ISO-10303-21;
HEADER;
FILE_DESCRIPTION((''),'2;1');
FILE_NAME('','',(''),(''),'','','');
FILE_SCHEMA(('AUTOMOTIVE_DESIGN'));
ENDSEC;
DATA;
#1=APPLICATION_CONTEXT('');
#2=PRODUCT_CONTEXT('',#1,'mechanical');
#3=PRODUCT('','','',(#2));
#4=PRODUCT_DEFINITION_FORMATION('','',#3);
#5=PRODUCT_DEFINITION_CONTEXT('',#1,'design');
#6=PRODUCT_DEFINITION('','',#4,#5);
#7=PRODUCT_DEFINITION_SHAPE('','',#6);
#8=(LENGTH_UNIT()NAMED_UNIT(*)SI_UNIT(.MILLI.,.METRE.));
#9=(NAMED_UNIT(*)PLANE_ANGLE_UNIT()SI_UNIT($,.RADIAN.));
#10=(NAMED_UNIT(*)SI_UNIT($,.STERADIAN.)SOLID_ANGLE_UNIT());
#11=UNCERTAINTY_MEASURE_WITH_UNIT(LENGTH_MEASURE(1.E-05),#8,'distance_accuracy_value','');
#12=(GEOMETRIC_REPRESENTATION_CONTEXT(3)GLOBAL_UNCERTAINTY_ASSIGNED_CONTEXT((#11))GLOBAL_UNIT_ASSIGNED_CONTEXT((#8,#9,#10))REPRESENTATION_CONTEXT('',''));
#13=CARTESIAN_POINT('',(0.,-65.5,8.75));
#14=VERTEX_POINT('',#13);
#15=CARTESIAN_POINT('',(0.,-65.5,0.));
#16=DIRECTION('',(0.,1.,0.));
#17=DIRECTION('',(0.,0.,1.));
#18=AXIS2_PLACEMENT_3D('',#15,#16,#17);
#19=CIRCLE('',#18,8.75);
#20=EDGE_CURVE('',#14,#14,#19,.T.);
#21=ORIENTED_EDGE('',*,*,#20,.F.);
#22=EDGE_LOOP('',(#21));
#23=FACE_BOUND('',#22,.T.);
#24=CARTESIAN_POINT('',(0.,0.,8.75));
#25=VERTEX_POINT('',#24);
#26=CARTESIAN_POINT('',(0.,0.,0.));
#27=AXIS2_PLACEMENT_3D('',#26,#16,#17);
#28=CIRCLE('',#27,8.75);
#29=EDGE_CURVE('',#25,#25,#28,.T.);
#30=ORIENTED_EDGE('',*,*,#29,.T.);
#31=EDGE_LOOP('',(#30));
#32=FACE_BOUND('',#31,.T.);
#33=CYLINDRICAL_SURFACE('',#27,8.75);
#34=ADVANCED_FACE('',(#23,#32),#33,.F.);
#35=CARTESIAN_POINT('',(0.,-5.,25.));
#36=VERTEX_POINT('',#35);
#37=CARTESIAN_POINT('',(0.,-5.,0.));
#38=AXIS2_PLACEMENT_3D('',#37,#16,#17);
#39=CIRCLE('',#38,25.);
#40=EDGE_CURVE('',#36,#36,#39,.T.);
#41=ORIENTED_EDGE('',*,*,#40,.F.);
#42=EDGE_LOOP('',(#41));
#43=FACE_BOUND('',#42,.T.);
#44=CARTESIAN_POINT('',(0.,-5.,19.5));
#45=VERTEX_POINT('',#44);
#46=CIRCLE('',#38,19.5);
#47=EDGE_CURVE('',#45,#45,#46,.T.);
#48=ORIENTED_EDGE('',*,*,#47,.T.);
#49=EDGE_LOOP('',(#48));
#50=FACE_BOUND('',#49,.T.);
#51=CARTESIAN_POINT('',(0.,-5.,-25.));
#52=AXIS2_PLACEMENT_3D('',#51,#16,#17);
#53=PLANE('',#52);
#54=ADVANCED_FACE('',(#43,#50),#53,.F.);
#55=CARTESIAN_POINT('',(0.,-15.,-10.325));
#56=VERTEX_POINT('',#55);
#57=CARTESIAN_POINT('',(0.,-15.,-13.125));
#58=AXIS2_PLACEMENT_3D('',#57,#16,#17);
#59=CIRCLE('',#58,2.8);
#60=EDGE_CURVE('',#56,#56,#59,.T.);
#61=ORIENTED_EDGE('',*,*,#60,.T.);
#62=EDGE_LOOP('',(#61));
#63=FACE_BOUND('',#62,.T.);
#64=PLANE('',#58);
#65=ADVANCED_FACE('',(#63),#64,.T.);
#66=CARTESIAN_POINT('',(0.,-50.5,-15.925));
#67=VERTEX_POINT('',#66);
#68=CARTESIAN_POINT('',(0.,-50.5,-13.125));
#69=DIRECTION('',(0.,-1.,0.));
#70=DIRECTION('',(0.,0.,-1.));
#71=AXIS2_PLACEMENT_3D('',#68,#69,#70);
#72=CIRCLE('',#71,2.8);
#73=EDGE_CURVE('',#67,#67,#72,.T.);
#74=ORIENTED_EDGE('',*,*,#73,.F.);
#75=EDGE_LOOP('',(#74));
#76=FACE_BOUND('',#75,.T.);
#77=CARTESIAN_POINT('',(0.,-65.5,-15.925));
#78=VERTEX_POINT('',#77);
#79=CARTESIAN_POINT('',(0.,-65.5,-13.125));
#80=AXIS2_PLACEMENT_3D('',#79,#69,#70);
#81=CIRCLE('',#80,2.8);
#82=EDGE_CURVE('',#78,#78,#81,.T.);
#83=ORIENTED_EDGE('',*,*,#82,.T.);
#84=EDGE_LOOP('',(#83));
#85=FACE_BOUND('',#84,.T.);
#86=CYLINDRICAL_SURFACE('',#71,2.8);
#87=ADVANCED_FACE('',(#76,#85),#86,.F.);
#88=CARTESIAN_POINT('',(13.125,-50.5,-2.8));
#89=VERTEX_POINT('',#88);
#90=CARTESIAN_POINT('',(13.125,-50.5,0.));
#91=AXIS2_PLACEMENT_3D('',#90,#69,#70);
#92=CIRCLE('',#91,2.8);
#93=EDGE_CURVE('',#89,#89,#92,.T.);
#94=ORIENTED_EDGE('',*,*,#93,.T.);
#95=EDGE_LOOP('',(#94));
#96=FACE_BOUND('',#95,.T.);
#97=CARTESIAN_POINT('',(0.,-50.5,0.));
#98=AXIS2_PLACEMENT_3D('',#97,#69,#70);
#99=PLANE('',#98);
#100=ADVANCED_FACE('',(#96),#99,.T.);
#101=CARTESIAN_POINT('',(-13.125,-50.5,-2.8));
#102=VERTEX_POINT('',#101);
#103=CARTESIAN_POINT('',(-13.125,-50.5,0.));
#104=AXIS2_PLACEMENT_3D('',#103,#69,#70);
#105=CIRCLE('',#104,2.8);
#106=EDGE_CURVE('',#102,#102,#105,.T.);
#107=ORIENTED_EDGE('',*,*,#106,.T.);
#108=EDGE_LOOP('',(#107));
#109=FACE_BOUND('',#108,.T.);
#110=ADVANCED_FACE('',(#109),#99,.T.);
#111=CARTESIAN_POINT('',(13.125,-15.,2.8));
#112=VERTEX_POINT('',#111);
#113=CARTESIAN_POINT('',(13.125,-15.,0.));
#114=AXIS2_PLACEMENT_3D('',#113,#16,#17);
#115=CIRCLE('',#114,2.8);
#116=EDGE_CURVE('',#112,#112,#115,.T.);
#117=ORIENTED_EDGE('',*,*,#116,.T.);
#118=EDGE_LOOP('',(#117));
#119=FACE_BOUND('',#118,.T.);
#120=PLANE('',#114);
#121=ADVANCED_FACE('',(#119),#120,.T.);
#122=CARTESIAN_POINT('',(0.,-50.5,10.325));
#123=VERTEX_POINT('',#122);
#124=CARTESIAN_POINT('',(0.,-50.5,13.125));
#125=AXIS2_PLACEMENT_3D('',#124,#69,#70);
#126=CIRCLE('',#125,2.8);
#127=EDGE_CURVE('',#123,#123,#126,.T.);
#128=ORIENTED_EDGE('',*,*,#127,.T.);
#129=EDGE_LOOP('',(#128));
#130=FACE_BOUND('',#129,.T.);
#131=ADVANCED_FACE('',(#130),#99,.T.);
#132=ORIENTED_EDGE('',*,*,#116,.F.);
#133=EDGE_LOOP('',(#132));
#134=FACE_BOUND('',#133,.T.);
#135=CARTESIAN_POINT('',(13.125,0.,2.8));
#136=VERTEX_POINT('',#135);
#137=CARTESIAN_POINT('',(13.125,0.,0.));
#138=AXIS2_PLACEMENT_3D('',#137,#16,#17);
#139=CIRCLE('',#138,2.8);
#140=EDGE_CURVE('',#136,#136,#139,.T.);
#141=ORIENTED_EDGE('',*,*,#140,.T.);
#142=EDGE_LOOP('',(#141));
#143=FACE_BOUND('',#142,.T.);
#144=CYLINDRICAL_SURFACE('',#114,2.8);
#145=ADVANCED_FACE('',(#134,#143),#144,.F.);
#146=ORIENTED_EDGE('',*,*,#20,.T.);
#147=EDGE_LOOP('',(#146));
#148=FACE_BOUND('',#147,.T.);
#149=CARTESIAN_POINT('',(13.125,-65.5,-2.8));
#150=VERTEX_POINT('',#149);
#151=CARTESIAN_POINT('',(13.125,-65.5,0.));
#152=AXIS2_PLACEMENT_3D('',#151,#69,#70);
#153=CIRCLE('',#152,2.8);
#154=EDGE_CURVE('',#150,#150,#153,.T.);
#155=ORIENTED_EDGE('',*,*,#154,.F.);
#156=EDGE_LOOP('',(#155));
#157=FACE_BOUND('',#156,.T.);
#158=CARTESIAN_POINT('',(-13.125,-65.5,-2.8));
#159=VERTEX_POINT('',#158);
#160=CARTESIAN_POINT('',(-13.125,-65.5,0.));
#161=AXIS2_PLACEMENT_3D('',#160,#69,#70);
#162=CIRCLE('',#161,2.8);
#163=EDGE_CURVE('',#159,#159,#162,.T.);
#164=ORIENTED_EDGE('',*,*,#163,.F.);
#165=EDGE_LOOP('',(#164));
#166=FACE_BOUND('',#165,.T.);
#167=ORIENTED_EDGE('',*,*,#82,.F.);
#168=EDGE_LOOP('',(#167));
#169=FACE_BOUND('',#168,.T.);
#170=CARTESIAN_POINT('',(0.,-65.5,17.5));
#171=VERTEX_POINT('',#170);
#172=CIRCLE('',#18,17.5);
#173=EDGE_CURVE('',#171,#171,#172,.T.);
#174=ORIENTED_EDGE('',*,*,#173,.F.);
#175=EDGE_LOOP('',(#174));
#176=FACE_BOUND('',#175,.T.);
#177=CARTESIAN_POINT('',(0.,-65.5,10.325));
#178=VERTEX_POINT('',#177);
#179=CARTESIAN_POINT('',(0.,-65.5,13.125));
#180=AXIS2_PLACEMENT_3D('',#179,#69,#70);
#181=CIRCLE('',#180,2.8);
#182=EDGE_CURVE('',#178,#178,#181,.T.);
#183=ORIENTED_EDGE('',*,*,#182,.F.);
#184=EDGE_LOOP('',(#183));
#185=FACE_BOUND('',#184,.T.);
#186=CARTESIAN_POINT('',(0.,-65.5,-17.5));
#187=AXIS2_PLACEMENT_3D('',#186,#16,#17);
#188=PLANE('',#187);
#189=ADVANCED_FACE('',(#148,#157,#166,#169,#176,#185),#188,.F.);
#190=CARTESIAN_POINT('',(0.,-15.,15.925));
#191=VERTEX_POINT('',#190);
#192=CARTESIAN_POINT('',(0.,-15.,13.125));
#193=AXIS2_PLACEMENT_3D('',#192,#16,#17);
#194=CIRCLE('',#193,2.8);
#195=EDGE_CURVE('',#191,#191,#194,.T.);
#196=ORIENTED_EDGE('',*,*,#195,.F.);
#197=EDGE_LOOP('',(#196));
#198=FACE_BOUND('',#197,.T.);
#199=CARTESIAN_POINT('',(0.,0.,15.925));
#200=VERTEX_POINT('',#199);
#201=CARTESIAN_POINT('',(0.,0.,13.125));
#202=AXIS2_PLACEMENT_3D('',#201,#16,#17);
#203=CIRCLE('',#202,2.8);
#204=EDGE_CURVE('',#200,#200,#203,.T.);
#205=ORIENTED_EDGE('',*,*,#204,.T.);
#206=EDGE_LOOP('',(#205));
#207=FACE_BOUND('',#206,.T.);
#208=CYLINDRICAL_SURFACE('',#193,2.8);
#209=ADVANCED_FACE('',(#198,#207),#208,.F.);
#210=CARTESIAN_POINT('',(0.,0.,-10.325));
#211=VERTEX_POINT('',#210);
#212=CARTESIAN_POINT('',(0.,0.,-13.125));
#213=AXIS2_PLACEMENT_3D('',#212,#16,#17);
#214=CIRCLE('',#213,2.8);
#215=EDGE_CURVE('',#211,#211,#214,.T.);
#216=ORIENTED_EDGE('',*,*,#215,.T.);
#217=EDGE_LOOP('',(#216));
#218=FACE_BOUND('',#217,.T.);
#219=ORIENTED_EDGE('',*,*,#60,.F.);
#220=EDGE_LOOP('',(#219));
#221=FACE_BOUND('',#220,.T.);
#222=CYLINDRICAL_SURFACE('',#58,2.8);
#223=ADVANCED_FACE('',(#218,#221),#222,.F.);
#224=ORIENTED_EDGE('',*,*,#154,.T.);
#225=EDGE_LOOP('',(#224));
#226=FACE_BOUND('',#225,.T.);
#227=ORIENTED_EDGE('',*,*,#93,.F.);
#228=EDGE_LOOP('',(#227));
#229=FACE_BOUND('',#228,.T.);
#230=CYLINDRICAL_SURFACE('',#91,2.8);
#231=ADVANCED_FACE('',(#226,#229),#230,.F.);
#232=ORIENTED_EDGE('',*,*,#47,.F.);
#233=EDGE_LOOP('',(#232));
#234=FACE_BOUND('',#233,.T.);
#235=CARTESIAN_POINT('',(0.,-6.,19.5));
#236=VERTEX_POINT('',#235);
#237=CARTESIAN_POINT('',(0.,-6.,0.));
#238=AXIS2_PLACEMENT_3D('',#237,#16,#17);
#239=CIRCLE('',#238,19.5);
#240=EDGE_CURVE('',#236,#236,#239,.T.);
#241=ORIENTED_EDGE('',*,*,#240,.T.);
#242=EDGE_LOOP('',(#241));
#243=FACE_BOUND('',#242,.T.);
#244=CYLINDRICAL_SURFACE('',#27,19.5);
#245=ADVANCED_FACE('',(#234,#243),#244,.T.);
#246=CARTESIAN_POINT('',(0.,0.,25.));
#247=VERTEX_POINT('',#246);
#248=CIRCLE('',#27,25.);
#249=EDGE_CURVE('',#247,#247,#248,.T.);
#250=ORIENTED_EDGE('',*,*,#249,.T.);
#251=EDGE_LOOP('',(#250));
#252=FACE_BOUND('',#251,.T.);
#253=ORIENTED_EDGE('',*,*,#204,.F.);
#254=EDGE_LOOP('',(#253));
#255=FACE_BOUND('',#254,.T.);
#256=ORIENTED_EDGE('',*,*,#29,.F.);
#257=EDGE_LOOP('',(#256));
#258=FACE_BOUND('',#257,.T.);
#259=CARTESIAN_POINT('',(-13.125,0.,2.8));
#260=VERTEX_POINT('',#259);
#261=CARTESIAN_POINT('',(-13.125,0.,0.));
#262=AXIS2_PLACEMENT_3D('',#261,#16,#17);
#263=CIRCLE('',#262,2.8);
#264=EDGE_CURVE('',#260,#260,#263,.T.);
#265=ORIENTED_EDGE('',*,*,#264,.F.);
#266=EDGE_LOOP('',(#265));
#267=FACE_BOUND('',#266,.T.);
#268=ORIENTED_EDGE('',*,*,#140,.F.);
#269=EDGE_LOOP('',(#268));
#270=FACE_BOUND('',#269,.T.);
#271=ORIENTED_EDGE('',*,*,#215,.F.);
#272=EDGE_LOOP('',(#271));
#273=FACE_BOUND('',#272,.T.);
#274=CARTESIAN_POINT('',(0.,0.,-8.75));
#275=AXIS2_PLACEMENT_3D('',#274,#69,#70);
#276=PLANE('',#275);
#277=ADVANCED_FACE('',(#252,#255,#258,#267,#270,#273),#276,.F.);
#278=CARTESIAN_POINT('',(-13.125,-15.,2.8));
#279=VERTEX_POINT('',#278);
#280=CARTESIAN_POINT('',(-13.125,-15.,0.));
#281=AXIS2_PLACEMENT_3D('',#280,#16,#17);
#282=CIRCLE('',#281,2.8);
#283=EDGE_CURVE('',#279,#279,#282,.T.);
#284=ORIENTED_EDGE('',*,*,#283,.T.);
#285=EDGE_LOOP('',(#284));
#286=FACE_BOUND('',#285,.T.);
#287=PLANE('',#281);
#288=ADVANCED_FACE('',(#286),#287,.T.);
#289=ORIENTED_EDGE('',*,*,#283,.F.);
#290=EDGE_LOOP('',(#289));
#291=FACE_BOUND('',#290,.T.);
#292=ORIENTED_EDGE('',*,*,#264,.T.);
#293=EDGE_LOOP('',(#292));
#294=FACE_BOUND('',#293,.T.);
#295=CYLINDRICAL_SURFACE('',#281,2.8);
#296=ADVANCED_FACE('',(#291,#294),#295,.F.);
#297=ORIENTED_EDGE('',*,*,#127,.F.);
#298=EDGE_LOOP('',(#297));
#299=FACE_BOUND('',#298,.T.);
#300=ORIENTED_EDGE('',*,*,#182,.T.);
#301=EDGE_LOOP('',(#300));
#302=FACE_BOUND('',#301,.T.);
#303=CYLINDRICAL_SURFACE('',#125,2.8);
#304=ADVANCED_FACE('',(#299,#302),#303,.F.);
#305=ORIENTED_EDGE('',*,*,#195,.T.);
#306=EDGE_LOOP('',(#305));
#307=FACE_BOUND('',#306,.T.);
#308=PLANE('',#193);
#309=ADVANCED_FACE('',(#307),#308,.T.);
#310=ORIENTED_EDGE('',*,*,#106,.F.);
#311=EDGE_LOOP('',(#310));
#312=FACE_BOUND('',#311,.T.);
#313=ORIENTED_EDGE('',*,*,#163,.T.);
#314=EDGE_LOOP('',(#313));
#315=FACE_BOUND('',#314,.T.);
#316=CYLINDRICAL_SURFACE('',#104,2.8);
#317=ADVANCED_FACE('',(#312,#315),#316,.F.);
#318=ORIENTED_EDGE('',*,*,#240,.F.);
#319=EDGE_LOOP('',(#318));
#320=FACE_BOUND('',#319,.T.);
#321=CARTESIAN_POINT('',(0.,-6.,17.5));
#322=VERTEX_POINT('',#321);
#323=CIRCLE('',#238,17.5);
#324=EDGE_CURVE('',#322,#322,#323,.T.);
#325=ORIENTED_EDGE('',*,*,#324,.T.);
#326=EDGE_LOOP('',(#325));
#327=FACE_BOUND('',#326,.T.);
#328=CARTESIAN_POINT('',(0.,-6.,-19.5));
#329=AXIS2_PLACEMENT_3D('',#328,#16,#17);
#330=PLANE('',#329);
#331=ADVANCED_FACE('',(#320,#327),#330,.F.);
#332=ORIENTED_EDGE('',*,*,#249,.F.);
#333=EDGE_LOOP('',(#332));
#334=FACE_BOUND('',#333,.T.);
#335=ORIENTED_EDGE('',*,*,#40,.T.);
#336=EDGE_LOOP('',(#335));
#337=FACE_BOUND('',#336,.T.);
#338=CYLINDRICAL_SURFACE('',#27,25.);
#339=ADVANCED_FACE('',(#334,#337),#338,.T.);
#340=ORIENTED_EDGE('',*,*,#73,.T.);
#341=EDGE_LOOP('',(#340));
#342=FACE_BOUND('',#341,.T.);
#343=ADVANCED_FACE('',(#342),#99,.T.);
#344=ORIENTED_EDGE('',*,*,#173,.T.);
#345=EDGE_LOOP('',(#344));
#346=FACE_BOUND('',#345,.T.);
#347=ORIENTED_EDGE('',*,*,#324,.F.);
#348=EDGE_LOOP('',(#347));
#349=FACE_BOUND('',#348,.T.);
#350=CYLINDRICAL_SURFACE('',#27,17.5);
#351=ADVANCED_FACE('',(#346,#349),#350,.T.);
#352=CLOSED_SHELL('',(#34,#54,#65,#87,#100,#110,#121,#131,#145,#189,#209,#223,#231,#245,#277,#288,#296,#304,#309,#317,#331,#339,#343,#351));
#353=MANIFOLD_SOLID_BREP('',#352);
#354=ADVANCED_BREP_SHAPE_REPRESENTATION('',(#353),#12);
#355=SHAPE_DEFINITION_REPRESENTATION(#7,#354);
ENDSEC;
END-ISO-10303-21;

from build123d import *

# Parameters (mm, degrees)
SKIZZE5_R                       = 2.8
SCHNITT_LINEAR_AUSTRAGEN1_DEPTH = 15
SCHNITT_LINEAR_START            = -15
SKIZZE7_R                       = 2.8
SCHNITT_LINEAR_AUSTRAGEN2_DEPTH = 15


with BuildPart() as part:
    # Skizze4 → Rotation1 (revolve)
    with BuildSketch(Plane(origin=(0, 0, 0), x_dir=(0, 0, -1), z_dir=(1, 0, 0)), mode=Mode.PRIVATE) as rotation1_sk:
        Polygon((8.75, 0), (25, 0), (25, -5), (19.5, -5), (19.5, -6), (17.5, -6), (17.5, -65.5), (8.75, -65.5), align=None)
    revolve(rotation1_sk.sketch.rotate(Axis((0, 0, 0), (0, -1, 0)), 180), axis=Axis((0, 0, 0), (0, -1, 0)))

    # Skizze5 → Schnitt-Linear austragen1 (cut)
    with BuildSketch(Plane(origin=(0, 0, 0), x_dir=(1, 0, 0), z_dir=(0, 1, 0))):
        with Locations(Location((0, 13.125, 0), (0, 0, 270))):
            Circle(SKIZZE5_R)
        with Locations(Location((13.125, 0, 0), (0, 0, 270))):
            Circle(SKIZZE5_R)
        with Locations(Location((0, -13.125, 0), (0, 0, 270))):
            Circle(SKIZZE5_R)
        with Locations(Location((-13.125, 0, 0), (0, 0, 270))):
            Circle(SKIZZE5_R)
    extrude(amount=-SCHNITT_LINEAR_AUSTRAGEN1_DEPTH, mode=Mode.SUBTRACT)

    # Skizze7 → Schnitt-Linear austragen2 (cut)
    with BuildSketch(Plane.XZ.offset(65.5).offset(SCHNITT_LINEAR_START)):
        with Locations(Location((13.125, 0, 0), (0, 0, 90))):
            Circle(SKIZZE7_R)
        with Locations(Location((0, -13.125, 0), (0, 0, 90))):
            Circle(SKIZZE7_R)
        with Locations(Location((-13.125, 0, 0), (0, 0, 90))):
            Circle(SKIZZE7_R)
        with BuildLine():
            ThreePointArc((0, 15.925), (-2.8, 13.125), (0, 10.325))
            Line((0, 10.325), (0, 15.925))
        make_face()
        with BuildLine():
            Line((0, 15.925), (0, 10.325))
            ThreePointArc((0, 10.325), (1.979898987, 11.145101013), (2.8, 13.125))
            ThreePointArc((2.8, 13.125), (1.979898987, 15.104898987), (0, 15.925))
        make_face()
    extrude(amount=SCHNITT_LINEAR_AUSTRAGEN2_DEPTH, mode=Mode.SUBTRACT)


solid = part.part
